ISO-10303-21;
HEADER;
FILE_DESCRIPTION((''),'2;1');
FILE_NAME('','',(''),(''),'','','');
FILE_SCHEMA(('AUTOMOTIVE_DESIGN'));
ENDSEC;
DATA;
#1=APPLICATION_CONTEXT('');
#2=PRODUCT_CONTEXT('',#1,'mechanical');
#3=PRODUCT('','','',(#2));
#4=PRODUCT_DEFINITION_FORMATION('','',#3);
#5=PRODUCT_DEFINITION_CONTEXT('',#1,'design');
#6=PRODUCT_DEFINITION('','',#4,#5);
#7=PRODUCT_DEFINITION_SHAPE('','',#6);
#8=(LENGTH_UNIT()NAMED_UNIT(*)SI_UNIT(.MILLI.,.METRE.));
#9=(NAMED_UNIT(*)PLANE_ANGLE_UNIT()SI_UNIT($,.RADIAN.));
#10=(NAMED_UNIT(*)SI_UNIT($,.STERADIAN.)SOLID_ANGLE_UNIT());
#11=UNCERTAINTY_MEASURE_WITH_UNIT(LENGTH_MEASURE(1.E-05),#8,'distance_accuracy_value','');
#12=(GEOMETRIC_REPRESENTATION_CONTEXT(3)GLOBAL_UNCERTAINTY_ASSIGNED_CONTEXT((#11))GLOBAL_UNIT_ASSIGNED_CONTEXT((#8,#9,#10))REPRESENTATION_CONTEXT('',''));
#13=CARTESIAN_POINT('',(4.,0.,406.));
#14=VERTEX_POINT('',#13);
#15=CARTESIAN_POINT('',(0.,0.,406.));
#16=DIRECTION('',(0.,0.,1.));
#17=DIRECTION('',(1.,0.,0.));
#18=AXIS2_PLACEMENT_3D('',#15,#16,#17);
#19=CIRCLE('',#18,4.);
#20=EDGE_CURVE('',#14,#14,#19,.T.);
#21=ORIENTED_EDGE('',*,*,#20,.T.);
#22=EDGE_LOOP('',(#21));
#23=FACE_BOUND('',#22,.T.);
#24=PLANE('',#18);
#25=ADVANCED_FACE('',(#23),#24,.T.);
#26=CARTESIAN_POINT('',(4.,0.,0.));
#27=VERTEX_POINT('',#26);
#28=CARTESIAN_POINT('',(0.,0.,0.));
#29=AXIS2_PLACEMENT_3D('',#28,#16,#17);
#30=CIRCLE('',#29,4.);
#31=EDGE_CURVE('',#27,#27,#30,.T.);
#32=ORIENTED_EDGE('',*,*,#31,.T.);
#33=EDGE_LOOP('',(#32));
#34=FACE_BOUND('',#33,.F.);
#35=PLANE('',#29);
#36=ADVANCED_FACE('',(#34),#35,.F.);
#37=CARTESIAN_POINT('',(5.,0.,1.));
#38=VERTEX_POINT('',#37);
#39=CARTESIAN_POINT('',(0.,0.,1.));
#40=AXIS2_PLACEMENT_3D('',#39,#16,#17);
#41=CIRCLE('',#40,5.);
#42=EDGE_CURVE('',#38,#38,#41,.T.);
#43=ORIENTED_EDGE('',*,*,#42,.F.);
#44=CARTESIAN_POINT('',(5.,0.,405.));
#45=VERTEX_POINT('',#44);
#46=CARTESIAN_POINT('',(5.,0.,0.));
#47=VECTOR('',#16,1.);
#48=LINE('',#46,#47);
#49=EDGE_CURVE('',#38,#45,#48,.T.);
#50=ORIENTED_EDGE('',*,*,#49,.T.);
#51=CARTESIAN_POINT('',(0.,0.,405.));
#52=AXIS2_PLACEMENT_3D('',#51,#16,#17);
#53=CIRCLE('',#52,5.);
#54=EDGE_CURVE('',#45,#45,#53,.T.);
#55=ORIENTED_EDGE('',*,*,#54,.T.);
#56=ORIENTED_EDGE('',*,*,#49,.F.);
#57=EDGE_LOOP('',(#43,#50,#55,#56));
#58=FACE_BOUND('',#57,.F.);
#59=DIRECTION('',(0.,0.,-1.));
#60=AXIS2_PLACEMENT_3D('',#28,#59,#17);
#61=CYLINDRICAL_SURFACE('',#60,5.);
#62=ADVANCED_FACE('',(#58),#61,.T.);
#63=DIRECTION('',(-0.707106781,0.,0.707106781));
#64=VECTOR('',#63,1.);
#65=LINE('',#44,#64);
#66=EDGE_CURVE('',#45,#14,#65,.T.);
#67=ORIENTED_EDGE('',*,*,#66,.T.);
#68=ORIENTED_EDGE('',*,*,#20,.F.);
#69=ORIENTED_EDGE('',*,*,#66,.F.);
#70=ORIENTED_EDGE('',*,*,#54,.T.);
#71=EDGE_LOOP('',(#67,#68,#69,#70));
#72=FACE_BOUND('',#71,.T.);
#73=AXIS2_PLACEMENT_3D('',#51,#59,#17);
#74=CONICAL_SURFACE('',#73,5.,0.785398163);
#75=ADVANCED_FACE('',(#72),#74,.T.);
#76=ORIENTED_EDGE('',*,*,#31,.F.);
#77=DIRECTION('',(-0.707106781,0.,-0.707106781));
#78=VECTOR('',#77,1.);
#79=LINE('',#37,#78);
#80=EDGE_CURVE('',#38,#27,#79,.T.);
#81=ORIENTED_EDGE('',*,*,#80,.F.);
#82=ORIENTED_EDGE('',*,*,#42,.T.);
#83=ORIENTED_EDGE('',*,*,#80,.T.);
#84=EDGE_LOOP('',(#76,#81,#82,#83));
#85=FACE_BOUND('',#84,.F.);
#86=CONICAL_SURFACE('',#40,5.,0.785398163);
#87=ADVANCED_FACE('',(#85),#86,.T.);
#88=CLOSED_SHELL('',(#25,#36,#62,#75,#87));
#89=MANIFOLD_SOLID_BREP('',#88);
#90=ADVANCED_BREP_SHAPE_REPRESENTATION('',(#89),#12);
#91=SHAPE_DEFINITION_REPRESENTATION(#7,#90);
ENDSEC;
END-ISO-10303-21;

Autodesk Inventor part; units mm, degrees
ref_plane "YZ Plane" through (0, 0, 0) normal (1, 0, 0) x (0, 1, 0)
ref_plane "XZ Plane" through (0, 0, 0) normal (0, 1, 0) x (-1, 0, 0)
ref_plane "XY Plane" through (0, 0, 0) normal (0, 0, 1) x (1, 0, 0)
sketch "Sketch1" plane through (0, 0, 0) normal (0, 0, 1) x (1, 0, 0)
  circle A0 centre (0, 0) radius 5
  dimension "d0" = 10
extrude "Extrusion1" add sketch "Sketch1" along normal blind 406
chamfer "Chamfer1" distance 1 angle 45 2 edges at (-5, 0, 406) (-5, 0, 0)
properties part number "Y-AXIS ROD" material "Stainless Steel, 440C"
